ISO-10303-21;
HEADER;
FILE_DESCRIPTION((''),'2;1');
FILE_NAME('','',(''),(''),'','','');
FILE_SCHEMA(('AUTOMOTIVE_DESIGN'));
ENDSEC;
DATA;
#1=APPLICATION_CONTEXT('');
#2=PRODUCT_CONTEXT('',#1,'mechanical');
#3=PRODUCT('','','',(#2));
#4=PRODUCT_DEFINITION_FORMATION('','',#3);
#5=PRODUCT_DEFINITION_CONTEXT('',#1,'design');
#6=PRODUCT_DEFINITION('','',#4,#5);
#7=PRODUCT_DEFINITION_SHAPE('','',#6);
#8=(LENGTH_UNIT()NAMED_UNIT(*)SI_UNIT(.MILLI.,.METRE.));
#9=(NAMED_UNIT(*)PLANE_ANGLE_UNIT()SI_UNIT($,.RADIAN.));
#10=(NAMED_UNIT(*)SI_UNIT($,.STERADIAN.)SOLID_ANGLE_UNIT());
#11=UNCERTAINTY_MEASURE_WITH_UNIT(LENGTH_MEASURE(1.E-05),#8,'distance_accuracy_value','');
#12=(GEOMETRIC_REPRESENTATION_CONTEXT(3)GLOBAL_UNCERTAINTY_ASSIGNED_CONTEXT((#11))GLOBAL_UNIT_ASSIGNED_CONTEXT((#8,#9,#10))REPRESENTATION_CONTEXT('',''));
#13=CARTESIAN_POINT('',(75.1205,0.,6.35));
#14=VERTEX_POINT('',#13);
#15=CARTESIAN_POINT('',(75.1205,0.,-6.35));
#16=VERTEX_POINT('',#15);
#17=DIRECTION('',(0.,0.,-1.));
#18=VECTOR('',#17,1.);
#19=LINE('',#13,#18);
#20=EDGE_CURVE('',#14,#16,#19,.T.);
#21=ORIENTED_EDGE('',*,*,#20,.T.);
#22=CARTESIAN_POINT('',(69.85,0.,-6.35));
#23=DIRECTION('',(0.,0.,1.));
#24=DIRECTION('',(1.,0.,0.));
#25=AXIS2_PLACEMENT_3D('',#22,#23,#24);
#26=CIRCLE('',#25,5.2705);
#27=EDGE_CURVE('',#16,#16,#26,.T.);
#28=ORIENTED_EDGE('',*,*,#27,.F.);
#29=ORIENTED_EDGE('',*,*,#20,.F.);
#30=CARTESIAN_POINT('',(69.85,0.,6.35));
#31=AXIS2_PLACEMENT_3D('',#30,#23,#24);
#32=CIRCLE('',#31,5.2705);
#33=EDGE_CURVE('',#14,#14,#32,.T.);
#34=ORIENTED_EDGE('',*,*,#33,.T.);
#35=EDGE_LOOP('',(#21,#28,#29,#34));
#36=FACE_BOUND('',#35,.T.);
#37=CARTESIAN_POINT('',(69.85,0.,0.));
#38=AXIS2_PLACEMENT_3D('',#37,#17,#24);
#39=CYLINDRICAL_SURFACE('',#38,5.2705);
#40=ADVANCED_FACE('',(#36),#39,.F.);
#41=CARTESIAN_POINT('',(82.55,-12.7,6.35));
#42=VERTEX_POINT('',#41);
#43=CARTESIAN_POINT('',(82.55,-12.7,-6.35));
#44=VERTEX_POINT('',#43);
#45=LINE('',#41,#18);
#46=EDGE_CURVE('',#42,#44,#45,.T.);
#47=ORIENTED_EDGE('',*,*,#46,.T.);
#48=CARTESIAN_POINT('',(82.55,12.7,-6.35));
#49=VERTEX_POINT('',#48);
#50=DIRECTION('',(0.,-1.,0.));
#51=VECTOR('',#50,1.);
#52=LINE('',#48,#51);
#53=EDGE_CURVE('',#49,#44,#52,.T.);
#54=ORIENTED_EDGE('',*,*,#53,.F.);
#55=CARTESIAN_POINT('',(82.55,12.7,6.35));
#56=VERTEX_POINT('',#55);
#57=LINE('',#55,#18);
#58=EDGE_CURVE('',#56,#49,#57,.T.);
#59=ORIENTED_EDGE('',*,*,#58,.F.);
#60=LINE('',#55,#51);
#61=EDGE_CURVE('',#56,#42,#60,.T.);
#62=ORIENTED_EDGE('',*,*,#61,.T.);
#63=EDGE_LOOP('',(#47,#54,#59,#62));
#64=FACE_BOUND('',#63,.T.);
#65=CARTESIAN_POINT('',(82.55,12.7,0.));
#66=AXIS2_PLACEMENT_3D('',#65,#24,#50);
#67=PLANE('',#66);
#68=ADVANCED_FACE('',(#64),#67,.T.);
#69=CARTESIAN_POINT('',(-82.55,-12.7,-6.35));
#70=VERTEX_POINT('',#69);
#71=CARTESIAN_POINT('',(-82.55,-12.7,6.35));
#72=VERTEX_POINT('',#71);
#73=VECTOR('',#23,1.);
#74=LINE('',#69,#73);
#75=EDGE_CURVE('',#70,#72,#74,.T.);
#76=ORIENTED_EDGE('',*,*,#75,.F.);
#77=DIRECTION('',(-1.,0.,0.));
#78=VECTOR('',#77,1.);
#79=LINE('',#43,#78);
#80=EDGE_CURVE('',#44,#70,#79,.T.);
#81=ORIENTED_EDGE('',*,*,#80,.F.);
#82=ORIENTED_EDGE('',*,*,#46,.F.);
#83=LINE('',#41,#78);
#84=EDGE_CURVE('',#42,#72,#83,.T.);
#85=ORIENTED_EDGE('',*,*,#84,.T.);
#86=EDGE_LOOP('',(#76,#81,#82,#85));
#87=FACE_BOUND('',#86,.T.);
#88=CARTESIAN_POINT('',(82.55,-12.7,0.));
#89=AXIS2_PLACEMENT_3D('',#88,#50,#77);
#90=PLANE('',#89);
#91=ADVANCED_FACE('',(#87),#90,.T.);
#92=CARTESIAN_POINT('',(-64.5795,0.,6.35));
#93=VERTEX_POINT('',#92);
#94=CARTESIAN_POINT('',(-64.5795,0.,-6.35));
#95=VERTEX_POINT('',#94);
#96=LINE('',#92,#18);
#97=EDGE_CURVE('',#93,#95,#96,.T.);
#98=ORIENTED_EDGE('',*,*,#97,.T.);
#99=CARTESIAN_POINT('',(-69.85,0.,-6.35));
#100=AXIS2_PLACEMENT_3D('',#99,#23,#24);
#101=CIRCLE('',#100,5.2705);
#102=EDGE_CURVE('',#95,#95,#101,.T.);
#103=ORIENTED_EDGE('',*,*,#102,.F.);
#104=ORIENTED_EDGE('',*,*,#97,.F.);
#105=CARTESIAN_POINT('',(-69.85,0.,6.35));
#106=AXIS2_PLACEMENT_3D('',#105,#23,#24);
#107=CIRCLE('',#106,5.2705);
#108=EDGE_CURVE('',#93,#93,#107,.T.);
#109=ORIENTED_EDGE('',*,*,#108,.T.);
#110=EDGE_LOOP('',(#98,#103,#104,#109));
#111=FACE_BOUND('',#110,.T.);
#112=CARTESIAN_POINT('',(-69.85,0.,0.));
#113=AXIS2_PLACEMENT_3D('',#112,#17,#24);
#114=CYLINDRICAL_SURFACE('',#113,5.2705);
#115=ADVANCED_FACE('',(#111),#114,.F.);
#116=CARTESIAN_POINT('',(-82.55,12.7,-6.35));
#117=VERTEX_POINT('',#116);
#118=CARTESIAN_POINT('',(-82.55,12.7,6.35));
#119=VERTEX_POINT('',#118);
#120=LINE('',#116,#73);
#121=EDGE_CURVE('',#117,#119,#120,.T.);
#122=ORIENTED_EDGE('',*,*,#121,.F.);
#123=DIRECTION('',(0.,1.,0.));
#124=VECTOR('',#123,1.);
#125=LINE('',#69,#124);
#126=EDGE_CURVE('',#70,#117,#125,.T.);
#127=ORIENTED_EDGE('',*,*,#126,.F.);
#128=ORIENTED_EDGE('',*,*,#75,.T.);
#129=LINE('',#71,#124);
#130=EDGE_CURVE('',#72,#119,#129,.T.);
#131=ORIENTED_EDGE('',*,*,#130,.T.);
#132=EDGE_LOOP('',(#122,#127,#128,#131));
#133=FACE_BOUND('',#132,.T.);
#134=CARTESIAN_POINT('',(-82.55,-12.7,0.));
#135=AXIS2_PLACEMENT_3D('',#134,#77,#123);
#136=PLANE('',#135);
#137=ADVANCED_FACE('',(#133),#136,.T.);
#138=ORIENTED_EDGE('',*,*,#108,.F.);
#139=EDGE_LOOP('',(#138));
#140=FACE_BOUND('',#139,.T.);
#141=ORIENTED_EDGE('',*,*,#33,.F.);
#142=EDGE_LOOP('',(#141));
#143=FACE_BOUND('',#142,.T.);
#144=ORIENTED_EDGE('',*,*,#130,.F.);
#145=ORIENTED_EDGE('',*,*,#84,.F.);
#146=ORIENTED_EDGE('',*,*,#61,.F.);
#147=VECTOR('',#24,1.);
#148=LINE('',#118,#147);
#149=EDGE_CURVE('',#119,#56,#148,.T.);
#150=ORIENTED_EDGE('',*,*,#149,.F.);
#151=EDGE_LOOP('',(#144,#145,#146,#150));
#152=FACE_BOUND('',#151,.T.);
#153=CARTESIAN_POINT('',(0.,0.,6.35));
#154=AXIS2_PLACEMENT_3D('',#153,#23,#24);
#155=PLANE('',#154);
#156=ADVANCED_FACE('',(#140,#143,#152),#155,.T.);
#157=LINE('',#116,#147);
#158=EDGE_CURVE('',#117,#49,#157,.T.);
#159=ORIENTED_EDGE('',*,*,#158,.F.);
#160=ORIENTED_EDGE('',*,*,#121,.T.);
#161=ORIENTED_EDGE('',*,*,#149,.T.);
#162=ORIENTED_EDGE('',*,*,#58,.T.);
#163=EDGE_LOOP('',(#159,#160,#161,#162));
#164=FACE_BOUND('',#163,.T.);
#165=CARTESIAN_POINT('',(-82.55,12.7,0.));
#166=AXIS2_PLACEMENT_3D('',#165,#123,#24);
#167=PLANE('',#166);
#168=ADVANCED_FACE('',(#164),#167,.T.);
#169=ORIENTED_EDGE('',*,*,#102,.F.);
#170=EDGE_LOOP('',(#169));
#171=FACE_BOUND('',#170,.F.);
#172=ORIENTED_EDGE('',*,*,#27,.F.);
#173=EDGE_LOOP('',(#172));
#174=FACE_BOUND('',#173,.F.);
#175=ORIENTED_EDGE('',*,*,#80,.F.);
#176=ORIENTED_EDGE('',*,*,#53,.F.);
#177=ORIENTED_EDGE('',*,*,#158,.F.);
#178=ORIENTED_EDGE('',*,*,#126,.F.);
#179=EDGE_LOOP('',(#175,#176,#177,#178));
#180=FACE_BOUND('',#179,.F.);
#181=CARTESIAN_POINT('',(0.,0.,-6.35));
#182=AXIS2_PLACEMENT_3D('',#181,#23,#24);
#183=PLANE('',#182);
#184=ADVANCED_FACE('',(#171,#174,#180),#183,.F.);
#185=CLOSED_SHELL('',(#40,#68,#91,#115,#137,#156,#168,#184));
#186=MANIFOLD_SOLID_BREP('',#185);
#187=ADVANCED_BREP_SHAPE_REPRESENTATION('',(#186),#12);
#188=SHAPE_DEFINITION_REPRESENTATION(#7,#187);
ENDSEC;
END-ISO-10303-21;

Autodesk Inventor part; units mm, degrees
ref_plane "YZ Plane" through (0, 0, 0) normal (1, 0, 0) x (0, 1, 0)
ref_plane "XZ Plane" through (0, 0, 0) normal (0, 1, 0) x (-1, 0, 0)
ref_plane "XY Plane" through (0, 0, 0) normal (0, 0, 1) x (1, 0, 0)
sketch "Sketch1" plane through (0, 0, 0) normal (0, 0, 1) x (1, 0, 0)
  line L0 (-82.55, 12.7) -> (82.55, 12.7)
  line L1 (82.55, 12.7) -> (82.55, -12.7)
  line L2 (82.55, -12.7) -> (-82.55, -12.7)
  line L3 (-82.55, -12.7) -> (-82.55, 12.7)
  line L4 (-82.55, 12.7) -> (82.55, -12.7) construction
  line L5 (82.55, 12.7) -> (-82.55, -12.7) construction
  circle A0 centre (-69.85, 0) radius 5.2705
  circle A1 centre (69.85, 0) radius 5.2705
  point P0 (0, 0)
  dimension "d0" = 165.1
  dimension "d1" = 25.4
  dimension "d2" = 10.541
  dimension "d3" = 12.7
  dimension "d5" = 12.7
extrude "Extrusion1" add sketch "Sketch1" along normal mid plane 12.7
properties part number "connectingRod-4-in"
